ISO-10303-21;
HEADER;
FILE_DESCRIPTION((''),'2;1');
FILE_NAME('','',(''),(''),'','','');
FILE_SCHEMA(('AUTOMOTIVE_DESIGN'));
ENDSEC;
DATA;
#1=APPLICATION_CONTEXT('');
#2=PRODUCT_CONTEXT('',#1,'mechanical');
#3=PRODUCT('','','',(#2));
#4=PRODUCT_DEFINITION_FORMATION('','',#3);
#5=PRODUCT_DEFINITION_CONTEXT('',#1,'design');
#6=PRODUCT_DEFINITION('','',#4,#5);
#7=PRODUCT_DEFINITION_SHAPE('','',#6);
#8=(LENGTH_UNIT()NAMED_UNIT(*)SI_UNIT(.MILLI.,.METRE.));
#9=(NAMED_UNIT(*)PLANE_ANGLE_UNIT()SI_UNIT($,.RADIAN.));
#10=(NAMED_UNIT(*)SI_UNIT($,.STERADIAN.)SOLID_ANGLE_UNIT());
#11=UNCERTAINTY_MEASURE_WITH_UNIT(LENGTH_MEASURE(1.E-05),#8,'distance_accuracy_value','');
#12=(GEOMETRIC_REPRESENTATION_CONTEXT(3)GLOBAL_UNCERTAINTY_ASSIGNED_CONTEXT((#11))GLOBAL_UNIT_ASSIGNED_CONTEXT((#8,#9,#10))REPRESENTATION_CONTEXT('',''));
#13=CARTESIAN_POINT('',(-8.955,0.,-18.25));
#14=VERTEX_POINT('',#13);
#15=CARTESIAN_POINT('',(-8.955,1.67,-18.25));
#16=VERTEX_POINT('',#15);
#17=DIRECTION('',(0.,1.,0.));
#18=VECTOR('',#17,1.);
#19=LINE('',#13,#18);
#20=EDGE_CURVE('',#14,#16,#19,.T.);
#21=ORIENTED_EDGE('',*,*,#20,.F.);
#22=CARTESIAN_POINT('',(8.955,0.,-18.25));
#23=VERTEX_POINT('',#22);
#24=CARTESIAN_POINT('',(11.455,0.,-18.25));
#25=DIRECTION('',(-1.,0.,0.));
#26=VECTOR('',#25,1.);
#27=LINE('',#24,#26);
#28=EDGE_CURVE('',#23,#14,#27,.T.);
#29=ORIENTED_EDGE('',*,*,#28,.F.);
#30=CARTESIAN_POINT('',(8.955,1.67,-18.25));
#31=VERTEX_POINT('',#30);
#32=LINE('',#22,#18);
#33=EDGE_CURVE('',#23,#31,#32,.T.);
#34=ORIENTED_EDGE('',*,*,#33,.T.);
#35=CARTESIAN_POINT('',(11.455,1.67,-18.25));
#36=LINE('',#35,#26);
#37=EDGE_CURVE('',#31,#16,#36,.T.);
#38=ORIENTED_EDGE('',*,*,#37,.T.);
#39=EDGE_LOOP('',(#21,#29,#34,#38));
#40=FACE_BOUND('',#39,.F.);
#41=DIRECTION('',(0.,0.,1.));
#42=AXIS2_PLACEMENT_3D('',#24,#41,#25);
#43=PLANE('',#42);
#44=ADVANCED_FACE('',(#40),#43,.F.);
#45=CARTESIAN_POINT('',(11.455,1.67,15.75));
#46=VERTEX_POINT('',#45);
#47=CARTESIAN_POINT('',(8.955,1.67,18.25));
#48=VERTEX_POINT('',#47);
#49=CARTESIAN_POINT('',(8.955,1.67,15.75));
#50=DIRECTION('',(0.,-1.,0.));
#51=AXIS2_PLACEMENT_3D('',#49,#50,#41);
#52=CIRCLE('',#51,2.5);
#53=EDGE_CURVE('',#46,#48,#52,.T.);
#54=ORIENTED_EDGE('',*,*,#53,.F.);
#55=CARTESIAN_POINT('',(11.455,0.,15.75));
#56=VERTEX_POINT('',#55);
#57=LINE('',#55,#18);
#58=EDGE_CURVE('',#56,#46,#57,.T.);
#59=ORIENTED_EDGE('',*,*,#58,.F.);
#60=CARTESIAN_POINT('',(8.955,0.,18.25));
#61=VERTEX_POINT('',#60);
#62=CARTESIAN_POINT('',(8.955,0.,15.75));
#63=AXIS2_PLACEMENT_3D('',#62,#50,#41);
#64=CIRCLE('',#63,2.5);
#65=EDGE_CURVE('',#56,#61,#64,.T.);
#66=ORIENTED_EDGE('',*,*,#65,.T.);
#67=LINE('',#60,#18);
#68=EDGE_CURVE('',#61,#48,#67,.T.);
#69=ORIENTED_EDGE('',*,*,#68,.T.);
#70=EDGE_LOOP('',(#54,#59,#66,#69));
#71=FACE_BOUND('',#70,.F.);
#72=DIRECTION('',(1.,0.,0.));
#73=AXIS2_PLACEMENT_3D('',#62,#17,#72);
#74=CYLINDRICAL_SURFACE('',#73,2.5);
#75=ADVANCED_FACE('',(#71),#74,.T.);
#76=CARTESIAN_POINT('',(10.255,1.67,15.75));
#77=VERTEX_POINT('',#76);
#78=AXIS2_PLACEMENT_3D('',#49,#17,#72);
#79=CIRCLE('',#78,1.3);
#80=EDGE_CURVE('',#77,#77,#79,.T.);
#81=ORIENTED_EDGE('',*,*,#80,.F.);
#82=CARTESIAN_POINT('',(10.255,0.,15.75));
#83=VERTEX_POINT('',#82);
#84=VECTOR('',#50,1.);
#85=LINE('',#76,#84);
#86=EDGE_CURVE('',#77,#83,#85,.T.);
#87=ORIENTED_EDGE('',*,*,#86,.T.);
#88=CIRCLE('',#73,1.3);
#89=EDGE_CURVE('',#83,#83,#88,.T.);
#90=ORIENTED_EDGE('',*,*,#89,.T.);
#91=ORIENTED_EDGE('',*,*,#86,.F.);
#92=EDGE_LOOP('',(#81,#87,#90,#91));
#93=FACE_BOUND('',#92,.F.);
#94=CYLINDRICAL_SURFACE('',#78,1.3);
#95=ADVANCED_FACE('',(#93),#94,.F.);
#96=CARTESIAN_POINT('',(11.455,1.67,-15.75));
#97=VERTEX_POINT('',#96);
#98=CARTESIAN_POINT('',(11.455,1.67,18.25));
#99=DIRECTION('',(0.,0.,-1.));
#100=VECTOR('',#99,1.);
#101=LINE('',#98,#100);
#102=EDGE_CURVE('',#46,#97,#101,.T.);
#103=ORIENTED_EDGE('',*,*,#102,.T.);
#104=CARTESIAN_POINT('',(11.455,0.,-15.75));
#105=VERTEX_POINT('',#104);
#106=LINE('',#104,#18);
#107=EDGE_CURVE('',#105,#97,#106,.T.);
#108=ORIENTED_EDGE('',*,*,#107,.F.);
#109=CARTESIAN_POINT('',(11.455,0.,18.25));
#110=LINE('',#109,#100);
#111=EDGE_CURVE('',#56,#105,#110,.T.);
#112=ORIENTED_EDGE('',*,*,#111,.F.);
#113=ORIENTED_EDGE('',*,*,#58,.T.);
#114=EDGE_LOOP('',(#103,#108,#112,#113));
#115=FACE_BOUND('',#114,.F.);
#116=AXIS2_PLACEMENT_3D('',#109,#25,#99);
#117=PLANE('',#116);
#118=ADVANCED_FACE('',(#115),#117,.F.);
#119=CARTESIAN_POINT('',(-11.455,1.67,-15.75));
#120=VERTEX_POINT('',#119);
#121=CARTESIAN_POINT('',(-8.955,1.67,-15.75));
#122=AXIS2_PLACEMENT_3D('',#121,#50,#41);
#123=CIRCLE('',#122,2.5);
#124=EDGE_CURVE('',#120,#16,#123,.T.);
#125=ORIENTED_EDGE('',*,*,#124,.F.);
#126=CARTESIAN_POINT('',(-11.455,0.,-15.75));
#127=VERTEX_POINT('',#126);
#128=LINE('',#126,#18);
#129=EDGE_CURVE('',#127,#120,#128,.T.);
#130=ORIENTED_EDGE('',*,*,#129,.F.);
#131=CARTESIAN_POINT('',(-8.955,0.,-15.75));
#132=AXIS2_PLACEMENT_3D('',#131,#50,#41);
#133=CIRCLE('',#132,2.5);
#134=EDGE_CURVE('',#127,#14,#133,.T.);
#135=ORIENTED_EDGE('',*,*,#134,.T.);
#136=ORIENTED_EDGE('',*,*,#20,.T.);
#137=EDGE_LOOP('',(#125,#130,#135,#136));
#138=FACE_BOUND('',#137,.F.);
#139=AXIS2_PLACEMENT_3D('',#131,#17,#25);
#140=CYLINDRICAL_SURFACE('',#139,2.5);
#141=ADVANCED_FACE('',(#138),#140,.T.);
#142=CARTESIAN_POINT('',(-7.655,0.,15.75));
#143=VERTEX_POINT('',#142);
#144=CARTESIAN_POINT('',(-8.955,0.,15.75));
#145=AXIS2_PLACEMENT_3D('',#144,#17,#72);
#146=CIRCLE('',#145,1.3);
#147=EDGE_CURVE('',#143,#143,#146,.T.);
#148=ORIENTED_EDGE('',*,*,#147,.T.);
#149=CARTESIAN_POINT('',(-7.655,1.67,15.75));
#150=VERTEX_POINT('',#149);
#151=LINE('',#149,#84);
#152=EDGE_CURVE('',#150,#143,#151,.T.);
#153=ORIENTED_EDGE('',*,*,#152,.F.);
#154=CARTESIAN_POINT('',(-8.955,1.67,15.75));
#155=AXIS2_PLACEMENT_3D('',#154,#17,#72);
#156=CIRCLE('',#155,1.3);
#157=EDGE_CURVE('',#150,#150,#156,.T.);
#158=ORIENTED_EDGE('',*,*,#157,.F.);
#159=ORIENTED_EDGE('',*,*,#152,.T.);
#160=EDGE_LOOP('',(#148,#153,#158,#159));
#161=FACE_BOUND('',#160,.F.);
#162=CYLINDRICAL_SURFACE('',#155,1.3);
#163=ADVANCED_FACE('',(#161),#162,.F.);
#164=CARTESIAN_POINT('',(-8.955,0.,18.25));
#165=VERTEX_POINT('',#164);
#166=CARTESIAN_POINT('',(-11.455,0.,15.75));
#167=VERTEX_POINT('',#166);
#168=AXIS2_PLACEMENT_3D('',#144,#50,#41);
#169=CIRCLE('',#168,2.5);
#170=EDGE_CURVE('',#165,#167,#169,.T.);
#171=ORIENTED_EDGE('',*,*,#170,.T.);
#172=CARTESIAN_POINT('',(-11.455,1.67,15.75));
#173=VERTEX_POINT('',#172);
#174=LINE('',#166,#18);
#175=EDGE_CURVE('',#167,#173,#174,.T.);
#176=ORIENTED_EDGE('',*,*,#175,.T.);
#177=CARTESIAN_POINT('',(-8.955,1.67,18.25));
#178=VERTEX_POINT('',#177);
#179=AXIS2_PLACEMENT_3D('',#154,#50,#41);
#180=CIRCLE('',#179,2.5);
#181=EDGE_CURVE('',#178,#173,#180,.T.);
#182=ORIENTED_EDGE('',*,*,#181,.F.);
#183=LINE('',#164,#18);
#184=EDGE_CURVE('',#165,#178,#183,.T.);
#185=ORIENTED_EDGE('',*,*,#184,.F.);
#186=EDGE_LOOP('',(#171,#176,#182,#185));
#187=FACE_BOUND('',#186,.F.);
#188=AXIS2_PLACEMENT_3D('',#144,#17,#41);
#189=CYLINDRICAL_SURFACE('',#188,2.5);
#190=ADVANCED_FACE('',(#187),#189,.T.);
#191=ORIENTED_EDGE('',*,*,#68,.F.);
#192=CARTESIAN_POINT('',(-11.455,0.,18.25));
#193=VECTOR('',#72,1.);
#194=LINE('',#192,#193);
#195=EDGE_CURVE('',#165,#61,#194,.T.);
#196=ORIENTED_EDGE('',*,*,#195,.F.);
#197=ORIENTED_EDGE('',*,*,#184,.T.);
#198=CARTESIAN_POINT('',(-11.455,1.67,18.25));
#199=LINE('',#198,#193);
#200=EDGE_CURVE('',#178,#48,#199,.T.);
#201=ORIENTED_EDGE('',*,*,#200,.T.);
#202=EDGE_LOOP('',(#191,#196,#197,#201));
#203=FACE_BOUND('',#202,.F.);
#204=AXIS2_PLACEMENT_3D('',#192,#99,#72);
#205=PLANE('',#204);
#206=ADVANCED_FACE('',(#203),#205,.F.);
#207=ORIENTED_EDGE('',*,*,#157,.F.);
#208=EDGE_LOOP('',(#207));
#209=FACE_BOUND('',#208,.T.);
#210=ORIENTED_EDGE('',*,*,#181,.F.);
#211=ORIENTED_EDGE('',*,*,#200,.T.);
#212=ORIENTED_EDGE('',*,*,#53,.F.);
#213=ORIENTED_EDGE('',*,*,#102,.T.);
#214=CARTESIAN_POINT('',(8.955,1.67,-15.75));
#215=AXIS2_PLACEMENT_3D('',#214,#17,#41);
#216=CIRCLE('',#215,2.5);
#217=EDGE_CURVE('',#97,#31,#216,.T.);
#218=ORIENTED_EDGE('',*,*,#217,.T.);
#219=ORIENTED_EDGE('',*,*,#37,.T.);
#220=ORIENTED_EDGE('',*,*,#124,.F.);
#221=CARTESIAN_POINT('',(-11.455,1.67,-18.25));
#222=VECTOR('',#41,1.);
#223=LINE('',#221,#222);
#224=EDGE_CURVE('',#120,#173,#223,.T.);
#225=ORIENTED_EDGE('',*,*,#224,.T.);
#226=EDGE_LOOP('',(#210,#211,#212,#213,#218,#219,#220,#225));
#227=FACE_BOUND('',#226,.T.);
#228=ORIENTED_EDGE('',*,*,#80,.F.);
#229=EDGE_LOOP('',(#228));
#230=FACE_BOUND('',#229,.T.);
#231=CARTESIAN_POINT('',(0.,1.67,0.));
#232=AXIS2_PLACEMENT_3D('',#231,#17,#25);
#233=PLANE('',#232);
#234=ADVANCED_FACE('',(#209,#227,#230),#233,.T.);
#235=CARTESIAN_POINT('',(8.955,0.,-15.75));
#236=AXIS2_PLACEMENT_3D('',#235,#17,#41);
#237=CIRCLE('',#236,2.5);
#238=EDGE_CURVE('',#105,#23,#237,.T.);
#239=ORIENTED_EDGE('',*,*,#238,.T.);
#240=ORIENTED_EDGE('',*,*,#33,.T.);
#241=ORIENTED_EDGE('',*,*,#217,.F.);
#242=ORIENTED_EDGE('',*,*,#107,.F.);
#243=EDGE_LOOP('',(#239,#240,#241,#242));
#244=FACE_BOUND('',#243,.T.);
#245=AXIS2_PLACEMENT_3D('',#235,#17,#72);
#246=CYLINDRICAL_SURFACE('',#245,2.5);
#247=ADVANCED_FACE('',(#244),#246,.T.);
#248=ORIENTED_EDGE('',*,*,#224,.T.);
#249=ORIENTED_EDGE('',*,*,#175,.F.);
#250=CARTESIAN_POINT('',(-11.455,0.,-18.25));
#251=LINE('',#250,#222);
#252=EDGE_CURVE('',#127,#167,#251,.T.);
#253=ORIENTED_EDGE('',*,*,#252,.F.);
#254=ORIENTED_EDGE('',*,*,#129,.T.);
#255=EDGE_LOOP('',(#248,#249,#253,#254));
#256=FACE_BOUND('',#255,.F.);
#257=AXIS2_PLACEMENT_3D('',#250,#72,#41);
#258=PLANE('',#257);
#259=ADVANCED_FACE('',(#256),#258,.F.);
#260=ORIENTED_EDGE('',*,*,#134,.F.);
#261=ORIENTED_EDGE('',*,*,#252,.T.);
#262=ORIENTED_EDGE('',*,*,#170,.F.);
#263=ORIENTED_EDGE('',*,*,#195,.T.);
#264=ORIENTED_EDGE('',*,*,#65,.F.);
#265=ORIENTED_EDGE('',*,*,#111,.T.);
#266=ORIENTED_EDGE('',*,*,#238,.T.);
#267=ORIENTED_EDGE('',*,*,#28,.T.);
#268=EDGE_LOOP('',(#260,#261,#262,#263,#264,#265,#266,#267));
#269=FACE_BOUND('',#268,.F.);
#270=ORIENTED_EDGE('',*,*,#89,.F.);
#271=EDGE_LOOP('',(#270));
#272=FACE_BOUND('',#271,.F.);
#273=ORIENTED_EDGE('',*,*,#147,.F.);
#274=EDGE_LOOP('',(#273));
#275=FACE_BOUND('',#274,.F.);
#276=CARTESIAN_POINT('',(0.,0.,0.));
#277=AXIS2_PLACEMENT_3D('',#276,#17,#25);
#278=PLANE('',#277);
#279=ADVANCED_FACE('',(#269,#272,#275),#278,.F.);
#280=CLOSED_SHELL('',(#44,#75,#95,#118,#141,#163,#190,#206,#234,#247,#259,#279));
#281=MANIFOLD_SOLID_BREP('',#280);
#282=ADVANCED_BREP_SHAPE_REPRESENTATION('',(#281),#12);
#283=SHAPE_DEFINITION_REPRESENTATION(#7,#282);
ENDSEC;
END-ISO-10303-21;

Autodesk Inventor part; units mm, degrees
ref_plane "YZ Plane" through (0, 0, 0) normal (1, 0, 0) x (0, 1, 0)
ref_plane "XZ Plane" through (0, 0, 0) normal (0, 1, 0) x (-1, 0, 0)
ref_plane "XY Plane" through (0, 0, 0) normal (0, 0, 1) x (1, 0, 0)
sketch "Skizze1" plane through (0, 0, 0) normal (0, 1, 0) x (-1, 0, 0)
  line L0 (-11.455, -18.25) -> (11.455, -18.25)
  line L1 (11.455, -18.25) -> (11.455, 18.25)
  line L2 (11.455, 18.25) -> (-11.455, 18.25)
  line L3 (-11.455, 18.25) -> (-11.455, -18.25)
  line L4 (-11.455, -18.25) -> (11.455, 18.25) construction
  line L5 (11.455, -18.25) -> (-11.455, 18.25) construction
  point P0 (0, 0)
  dimension "d0" = 22.91
  dimension "d1" = 36.5
extrude "Extrusion1" add sketch "Skizze1" along normal blind 1.67
fillet "Rundung1" radius 2.5 4 edges at (-11.455, 0.835, 18.25) (11.455, 0.835, -18.25) (11.455, 0.835, 18.25) (-11.455, 0.835, -18.25)
sketch "Skizze2" plane through (0, 1.67, 0) normal (0, 1, 0) x (1, 0, 0)
  circle A0 centre (-8.955, -15.75) radius 1.3
  line L0 (-8.955, -18.25) -> (8.955, -18.25) projected
  line L1 (-11.455, 15.75) -> (-11.455, -15.75) projected
  line L2 (0, 0) -> (0, -21.9467) construction
  circle A1 centre (8.955, -15.75) radius 1.3
  dimension "d5" = 2.6
  dimension "d6" = 2.5
  dimension "d7" = 2.5
  dimension "d8" = 17.91
extrude "Extrusion2" cut sketch "Skizze2" against normal up to next
properties part number "PowerBoost500"
